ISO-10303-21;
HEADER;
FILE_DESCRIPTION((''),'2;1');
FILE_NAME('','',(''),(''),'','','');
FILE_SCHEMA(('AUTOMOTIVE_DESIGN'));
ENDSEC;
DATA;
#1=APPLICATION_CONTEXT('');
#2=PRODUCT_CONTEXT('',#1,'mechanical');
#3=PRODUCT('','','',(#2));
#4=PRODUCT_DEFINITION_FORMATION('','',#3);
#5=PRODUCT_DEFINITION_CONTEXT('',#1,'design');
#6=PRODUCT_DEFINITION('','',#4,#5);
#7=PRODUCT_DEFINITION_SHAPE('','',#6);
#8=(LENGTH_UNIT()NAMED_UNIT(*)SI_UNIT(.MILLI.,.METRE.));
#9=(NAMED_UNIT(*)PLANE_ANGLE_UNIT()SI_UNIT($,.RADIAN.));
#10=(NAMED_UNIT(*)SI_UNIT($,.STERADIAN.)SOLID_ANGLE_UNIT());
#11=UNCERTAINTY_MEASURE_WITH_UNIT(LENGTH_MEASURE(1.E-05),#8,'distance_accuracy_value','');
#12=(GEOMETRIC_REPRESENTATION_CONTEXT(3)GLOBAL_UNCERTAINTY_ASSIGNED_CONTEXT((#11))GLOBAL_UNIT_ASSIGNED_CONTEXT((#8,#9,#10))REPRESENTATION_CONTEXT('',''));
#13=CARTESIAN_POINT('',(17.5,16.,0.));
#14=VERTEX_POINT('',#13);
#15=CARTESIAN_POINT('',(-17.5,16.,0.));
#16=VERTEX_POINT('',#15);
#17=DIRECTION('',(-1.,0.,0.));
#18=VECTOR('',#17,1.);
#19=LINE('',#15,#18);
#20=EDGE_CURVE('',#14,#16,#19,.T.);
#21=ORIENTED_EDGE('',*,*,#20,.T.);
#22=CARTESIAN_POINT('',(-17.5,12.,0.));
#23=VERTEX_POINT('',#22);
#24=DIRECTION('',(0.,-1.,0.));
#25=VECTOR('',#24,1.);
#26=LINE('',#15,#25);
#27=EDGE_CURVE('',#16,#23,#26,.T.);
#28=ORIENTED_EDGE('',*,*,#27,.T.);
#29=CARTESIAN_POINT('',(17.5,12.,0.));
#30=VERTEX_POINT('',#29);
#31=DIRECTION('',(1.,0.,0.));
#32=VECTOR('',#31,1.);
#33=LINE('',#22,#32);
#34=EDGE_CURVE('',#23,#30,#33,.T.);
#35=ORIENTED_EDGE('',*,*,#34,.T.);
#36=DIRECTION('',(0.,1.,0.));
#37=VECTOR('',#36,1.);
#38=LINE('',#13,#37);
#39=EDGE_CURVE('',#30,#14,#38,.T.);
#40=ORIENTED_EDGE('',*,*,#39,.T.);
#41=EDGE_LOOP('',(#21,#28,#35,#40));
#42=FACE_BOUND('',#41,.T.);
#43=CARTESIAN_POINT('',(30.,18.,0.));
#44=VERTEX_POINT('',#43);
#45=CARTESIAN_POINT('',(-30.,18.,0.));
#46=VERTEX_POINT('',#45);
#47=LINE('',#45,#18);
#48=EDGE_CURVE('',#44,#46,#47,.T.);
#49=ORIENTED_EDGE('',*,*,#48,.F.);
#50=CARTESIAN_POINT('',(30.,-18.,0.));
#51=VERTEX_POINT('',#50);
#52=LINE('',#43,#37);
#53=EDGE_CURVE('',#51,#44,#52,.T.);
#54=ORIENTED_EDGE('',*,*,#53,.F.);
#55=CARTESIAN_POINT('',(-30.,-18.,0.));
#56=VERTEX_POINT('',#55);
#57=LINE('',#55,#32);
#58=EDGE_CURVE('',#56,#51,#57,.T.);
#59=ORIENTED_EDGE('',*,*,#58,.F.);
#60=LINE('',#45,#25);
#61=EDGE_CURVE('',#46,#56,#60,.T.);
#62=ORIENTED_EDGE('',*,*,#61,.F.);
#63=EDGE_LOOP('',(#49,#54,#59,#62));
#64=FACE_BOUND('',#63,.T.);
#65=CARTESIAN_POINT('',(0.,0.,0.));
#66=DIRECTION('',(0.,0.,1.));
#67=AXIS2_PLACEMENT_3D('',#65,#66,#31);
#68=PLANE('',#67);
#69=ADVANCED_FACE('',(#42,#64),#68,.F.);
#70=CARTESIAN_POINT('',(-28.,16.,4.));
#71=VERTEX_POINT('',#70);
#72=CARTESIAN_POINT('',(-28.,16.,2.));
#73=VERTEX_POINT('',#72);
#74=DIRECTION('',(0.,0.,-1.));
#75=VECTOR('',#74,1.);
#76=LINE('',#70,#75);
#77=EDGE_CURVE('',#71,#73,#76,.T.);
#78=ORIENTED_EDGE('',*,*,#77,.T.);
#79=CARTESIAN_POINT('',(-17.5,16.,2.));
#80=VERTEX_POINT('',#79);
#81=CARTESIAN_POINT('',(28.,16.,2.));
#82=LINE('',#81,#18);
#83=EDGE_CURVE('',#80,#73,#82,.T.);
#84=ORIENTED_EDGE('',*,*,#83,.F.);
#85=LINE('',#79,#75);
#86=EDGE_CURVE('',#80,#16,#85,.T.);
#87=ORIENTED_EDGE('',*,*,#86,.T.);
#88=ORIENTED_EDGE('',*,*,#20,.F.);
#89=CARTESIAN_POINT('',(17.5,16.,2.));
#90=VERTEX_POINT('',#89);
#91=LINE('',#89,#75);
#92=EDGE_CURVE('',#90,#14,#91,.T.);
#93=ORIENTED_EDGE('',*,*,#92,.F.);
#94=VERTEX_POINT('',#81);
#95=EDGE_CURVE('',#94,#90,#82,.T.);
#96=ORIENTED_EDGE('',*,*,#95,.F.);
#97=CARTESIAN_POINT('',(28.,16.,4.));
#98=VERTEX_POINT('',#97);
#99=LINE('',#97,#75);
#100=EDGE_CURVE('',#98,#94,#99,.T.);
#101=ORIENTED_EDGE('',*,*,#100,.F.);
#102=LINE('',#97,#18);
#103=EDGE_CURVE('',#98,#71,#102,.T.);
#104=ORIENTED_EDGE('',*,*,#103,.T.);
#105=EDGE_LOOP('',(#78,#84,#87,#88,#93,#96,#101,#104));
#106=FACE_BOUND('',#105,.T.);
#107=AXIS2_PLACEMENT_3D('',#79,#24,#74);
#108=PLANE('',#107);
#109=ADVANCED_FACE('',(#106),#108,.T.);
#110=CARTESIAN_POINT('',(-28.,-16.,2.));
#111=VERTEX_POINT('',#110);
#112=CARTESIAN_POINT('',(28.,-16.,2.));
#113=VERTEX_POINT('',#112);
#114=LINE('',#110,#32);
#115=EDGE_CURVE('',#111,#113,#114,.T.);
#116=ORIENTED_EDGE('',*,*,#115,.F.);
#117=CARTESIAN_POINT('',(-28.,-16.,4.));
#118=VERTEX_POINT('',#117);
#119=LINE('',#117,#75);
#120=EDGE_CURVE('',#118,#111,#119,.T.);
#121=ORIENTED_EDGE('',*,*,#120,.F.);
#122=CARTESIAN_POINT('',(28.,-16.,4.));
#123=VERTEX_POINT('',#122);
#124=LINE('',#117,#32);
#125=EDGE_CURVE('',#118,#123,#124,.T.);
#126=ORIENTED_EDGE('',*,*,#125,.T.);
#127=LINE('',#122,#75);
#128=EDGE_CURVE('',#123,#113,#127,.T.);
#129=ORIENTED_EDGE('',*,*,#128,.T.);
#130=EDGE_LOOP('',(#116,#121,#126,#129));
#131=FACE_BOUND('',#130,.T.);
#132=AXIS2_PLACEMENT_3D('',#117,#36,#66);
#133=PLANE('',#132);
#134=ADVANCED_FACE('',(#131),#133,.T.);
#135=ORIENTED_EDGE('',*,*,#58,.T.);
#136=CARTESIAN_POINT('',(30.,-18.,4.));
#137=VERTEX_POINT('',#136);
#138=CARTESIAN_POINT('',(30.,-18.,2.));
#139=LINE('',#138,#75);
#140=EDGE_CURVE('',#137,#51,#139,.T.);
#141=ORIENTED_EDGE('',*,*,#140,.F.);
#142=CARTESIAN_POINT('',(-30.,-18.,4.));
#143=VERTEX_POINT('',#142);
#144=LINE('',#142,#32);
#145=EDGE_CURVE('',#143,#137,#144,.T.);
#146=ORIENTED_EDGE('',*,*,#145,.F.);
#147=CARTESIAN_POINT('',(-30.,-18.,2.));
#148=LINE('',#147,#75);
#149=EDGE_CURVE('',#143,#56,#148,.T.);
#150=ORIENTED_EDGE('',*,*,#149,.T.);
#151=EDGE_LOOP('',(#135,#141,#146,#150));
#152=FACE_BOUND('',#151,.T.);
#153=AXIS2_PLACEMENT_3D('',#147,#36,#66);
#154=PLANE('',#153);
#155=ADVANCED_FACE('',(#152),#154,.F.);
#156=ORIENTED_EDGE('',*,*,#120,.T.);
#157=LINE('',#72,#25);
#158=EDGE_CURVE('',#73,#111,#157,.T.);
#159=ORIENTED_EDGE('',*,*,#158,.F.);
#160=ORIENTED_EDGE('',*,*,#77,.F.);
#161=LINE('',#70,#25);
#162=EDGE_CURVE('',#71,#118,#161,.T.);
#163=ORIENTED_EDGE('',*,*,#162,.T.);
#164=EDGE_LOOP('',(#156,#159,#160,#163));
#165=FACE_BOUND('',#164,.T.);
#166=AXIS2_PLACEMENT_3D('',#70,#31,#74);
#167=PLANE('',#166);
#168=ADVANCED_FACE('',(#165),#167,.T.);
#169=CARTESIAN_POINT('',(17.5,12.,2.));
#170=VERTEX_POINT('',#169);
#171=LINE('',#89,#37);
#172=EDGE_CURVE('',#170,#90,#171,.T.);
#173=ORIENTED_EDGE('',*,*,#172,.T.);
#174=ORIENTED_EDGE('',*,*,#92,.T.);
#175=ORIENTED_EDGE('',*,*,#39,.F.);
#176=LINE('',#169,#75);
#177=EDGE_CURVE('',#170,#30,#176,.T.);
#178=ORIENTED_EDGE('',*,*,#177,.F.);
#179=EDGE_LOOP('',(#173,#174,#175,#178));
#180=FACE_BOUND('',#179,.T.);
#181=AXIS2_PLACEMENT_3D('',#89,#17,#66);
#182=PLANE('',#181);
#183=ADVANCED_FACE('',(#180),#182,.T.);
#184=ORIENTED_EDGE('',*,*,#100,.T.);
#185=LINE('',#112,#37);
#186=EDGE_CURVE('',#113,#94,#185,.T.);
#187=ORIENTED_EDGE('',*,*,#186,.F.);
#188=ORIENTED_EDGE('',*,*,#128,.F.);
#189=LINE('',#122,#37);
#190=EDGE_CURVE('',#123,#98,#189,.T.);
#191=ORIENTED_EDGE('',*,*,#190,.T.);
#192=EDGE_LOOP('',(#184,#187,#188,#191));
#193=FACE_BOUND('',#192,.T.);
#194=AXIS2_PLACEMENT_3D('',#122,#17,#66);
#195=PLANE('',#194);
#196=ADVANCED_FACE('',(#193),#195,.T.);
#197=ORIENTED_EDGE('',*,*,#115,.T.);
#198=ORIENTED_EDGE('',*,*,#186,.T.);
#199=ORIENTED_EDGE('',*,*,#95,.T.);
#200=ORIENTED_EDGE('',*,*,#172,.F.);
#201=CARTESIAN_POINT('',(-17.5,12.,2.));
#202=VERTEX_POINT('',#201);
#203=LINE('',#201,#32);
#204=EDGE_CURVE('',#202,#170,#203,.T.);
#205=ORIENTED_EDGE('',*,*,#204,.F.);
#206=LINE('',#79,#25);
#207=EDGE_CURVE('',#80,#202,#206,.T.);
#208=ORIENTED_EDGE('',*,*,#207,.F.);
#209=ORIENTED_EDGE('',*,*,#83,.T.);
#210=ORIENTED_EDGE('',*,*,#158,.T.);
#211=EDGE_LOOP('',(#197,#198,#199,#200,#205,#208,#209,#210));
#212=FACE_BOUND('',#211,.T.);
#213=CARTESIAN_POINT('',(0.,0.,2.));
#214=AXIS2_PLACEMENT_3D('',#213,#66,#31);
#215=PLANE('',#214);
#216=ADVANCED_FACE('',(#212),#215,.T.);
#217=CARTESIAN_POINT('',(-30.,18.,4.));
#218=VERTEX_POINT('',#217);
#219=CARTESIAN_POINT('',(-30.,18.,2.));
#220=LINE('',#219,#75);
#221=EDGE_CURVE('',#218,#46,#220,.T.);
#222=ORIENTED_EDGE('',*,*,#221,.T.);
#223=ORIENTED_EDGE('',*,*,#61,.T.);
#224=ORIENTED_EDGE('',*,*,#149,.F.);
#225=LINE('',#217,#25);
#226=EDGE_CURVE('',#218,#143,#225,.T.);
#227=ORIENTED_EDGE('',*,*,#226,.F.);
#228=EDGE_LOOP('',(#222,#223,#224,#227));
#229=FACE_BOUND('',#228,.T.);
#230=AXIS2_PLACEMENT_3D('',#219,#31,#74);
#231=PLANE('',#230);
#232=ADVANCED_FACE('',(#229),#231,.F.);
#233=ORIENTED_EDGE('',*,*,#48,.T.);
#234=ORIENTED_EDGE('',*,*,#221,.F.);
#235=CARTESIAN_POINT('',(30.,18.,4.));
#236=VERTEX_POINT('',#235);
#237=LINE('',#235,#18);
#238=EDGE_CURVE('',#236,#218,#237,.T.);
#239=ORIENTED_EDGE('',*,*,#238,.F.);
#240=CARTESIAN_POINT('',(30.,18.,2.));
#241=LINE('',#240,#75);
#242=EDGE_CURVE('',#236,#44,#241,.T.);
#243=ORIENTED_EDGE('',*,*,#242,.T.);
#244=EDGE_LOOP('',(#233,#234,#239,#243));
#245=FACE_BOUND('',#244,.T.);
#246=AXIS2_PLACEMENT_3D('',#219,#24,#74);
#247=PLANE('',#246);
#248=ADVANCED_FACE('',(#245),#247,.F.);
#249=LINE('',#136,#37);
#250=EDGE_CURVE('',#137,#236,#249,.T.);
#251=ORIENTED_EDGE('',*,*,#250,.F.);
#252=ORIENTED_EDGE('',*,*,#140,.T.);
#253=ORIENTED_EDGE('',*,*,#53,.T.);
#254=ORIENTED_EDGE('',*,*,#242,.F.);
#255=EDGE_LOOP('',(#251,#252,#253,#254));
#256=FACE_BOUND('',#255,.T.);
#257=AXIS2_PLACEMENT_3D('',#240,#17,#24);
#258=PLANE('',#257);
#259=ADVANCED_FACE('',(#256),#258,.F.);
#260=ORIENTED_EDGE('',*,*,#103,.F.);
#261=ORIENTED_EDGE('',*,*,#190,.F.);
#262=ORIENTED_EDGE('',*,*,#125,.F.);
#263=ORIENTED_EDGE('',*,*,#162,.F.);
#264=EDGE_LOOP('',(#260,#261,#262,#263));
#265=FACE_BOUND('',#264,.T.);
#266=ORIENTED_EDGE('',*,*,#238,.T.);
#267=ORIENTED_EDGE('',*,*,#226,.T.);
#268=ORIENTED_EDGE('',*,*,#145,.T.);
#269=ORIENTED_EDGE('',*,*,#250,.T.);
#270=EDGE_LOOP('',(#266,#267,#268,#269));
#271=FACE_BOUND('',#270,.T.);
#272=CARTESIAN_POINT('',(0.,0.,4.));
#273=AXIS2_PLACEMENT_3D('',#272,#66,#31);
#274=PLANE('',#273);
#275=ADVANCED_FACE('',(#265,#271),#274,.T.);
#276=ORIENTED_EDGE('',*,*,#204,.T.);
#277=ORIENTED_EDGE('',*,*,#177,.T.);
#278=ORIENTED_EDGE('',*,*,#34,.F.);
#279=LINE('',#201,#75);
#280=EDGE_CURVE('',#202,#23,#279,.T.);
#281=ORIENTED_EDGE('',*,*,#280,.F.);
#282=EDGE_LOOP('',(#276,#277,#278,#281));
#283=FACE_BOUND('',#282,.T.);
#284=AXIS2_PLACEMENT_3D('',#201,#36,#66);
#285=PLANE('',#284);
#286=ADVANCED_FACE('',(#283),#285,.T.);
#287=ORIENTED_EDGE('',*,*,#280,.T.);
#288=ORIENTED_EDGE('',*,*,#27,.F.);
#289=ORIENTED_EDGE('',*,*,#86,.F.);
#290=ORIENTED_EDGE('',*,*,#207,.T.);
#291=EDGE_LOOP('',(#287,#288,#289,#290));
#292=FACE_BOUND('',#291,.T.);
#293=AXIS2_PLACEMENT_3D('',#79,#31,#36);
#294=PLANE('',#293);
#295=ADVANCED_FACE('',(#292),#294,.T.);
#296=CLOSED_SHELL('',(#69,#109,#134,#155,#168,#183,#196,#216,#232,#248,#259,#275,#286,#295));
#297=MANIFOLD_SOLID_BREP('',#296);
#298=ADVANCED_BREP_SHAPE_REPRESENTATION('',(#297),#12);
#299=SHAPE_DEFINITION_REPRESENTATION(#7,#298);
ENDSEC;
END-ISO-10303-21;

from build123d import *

# Parameters (mm, degrees)
SKETCH_1_W      = 60
SKETCH_1_H      = 36
SKETCH_1_W_2    = 35
SKETCH_1_H_2    = 4
EXTRUDE_1_DEPTH = 2
SKETCH_2_W      = 60
SKETCH_2_H      = 36
SKETCH_2_W_2    = 56
SKETCH_2_H_2    = 32
EXTRUDE_2_DEPTH = 2


with BuildPart() as part:
    # ｽｹｯﾁ1 → ﾎﾞｽ - 押し出し1 (new body)
    with BuildSketch(Plane.XY):
        Rectangle(SKETCH_1_W, SKETCH_1_H)
        with Locations((0, 14)):
            Rectangle(SKETCH_1_W_2, SKETCH_1_H_2, mode=Mode.SUBTRACT)
    extrude(amount=EXTRUDE_1_DEPTH)

    # ｽｹｯﾁ2 → ﾎﾞｽ - 押し出し2 (add)
    with BuildSketch(Plane.XY.offset(2)):
        Rectangle(SKETCH_2_W, SKETCH_2_H)
        Rectangle(SKETCH_2_W_2, SKETCH_2_H_2, mode=Mode.SUBTRACT)
    extrude(amount=EXTRUDE_2_DEPTH)


solid = part.part
